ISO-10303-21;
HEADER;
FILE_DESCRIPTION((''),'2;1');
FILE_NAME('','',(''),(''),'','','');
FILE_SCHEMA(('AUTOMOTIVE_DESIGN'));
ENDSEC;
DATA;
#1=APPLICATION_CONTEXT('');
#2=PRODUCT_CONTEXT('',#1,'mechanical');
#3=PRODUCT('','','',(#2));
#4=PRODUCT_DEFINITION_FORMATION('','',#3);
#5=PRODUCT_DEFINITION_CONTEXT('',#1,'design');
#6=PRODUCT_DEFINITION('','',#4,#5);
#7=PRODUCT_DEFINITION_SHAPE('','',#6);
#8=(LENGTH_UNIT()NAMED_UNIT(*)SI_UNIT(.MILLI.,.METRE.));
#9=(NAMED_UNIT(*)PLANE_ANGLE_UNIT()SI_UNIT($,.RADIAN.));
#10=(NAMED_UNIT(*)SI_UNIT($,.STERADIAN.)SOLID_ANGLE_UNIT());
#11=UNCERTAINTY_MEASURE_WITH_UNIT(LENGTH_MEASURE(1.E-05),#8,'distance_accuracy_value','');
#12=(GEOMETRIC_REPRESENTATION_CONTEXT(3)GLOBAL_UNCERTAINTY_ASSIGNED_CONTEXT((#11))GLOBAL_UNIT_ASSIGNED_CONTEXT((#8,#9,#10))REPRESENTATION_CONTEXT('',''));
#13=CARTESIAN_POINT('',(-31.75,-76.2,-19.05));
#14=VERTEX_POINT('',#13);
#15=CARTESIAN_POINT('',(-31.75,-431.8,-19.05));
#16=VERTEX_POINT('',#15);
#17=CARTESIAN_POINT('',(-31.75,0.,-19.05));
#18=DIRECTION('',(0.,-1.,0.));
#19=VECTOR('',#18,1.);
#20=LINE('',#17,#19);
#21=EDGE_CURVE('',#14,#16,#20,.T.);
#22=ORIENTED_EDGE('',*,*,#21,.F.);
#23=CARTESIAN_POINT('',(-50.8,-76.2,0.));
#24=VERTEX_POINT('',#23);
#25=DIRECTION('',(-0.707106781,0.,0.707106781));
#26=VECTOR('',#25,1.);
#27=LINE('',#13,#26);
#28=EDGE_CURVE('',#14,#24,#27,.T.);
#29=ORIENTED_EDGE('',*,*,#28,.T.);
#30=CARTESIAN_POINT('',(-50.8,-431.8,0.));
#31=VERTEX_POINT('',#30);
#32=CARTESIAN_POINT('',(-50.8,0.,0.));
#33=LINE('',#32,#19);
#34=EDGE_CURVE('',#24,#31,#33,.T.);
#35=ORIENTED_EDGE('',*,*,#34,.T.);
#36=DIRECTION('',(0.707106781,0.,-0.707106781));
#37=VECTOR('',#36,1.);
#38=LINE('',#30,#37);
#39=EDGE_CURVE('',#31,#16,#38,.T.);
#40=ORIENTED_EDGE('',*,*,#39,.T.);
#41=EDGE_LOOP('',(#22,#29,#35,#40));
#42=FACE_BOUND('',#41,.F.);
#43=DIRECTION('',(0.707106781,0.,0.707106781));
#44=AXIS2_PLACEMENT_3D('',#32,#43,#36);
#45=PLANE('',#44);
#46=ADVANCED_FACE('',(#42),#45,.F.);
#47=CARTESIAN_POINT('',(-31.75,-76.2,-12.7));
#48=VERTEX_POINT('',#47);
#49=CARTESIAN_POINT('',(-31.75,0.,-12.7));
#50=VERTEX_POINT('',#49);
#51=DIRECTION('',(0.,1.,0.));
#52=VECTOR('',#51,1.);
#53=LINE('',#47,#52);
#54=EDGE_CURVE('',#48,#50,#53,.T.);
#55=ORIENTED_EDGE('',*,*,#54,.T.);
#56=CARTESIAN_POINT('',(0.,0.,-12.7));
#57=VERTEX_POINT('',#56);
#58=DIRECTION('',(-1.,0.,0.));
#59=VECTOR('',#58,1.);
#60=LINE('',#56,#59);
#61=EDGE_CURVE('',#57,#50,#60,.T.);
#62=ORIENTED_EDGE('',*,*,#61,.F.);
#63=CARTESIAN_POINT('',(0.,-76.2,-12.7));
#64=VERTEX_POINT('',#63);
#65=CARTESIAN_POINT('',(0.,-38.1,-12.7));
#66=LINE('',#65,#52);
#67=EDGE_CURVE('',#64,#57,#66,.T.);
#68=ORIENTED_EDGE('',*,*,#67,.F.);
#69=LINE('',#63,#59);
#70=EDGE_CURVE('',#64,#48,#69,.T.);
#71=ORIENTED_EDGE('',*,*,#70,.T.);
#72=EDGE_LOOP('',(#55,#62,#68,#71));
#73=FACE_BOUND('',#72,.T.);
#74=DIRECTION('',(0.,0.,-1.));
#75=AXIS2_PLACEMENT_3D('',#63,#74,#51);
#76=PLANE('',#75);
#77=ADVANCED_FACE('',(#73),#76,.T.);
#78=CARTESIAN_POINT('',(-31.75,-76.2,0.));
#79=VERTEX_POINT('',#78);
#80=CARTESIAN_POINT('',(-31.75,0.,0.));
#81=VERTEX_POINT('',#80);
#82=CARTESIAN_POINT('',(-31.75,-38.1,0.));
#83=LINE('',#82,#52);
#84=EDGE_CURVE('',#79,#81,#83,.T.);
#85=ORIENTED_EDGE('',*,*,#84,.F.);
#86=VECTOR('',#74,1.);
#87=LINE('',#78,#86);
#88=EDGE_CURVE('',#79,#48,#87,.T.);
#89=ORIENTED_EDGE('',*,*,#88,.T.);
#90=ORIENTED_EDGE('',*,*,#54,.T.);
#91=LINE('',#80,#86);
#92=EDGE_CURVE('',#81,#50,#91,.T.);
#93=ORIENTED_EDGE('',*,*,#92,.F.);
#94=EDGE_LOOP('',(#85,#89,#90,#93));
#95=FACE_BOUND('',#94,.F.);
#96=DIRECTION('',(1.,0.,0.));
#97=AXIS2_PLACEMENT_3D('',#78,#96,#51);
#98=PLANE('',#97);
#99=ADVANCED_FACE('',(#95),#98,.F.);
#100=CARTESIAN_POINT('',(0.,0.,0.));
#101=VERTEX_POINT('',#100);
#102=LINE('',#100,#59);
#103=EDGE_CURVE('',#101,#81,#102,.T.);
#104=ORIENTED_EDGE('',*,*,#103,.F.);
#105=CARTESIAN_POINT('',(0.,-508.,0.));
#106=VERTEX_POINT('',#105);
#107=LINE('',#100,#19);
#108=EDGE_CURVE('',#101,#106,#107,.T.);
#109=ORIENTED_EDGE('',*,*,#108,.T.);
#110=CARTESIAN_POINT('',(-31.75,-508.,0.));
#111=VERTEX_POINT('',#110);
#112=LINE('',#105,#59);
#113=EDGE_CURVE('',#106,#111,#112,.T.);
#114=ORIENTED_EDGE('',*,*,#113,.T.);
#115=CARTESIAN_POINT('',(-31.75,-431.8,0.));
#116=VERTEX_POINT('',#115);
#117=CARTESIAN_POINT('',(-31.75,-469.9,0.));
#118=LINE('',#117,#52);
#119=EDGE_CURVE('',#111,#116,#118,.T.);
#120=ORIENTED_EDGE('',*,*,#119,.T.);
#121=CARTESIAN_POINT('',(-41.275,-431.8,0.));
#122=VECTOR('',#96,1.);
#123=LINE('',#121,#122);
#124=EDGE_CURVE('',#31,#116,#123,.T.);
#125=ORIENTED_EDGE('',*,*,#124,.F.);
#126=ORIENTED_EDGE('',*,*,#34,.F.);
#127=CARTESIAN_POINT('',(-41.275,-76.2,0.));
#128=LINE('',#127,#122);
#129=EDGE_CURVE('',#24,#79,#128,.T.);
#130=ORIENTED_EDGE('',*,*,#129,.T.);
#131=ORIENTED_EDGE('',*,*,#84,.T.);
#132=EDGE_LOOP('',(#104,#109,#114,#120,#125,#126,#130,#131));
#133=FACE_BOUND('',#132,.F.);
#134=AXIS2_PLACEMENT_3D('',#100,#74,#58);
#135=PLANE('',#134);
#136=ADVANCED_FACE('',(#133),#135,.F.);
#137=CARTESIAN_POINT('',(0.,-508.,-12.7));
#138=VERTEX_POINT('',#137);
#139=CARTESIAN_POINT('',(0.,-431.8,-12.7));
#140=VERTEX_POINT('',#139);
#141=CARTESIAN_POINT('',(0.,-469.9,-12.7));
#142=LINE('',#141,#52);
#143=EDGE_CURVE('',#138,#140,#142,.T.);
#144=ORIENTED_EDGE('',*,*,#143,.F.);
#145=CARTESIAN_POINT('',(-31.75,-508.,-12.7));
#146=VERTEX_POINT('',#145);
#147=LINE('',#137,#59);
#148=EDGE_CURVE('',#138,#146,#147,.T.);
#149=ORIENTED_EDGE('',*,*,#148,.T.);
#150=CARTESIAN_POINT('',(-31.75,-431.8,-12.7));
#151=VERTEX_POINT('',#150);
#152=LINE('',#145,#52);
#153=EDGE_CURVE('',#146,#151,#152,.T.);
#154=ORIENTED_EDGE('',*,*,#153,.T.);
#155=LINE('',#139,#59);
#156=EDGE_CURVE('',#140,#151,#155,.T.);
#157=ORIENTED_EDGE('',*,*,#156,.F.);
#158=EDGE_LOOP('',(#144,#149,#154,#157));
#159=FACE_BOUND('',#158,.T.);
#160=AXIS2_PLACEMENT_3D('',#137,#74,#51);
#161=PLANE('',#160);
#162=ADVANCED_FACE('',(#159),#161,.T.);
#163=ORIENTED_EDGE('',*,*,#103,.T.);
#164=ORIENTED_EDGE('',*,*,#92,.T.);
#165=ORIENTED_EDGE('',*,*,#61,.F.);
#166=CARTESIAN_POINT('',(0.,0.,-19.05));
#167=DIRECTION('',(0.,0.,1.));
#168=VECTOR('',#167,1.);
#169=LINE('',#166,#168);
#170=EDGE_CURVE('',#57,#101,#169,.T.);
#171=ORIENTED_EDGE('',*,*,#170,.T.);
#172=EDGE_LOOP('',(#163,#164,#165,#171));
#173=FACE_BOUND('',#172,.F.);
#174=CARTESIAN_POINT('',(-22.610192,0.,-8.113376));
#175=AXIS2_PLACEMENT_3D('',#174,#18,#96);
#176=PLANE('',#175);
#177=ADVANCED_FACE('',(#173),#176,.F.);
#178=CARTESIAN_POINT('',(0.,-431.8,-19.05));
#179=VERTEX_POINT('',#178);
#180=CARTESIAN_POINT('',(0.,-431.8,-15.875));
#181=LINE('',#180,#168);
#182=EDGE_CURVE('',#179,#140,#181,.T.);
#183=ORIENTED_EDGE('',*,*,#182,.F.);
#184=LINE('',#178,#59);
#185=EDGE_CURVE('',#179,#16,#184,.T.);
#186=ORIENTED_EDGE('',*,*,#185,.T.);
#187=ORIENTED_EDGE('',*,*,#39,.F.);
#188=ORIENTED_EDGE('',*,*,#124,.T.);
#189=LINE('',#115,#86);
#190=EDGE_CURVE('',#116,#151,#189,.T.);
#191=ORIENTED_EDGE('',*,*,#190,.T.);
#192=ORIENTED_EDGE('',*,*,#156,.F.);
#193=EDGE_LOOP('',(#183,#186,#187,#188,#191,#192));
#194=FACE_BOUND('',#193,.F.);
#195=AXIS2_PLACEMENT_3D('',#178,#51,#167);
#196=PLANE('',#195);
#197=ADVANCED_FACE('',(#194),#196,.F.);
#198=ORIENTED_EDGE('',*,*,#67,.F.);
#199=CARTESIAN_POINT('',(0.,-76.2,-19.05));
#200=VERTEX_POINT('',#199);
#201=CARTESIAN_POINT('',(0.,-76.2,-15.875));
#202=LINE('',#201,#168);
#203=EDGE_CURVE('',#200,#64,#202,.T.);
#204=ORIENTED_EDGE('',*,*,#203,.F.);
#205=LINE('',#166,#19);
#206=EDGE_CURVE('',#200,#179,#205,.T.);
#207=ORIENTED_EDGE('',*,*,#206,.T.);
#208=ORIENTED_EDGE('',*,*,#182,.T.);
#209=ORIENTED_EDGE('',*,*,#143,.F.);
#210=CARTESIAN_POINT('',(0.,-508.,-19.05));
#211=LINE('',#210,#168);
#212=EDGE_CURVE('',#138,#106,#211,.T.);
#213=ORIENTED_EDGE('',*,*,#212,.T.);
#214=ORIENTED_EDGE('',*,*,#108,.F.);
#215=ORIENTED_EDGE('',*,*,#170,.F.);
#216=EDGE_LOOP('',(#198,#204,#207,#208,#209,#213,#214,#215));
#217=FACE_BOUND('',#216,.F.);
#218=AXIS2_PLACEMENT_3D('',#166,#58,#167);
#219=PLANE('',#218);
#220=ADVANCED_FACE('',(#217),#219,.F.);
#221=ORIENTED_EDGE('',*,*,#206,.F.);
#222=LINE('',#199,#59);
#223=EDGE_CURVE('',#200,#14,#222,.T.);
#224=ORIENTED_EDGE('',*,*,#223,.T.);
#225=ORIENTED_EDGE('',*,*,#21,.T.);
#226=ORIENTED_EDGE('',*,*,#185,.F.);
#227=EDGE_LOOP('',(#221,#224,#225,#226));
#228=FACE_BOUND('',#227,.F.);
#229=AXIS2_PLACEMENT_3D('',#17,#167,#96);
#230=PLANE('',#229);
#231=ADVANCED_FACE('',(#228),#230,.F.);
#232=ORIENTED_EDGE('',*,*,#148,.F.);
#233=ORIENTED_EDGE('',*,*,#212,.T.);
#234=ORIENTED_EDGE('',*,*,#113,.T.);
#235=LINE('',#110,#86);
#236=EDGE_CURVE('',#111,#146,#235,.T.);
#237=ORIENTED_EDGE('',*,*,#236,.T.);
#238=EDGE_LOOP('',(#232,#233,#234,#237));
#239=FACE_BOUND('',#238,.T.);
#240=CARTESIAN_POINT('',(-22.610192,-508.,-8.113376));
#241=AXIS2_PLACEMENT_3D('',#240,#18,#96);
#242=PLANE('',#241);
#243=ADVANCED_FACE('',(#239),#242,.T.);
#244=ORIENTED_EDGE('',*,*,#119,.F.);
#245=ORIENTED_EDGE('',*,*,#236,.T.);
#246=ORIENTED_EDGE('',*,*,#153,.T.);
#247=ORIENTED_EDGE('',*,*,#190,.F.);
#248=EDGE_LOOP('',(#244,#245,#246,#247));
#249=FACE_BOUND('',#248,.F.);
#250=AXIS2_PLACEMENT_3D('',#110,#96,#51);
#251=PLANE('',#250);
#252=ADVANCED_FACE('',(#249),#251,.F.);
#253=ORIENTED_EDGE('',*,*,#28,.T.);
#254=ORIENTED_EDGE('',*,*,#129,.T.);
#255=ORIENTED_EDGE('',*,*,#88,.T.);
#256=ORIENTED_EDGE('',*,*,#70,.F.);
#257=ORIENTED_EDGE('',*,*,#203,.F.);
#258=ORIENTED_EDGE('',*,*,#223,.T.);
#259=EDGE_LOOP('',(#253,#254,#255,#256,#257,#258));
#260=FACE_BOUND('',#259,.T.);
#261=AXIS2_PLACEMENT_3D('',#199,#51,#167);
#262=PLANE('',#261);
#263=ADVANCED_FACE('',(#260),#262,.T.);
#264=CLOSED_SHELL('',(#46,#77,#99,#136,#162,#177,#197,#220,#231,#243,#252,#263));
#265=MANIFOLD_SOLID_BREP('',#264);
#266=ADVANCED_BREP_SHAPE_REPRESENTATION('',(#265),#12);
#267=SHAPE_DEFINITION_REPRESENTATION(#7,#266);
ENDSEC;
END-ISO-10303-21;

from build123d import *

# Parameters (mm, degrees)
F1_DEPTH = 508
F2_W     = 19.05
F2_H     = 76.2
F3_DEPTH = 25.4
F4_W     = 76.2
F4_H     = 6.35
F5_DEPTH = 50.801


with BuildPart() as f1:
    # F0 (on Front) → F1 (new body)
    with BuildSketch(Plane.XZ):
        Polygon((0, -19.05), (0, 0), (-50.8, 0), (-31.75, -19.05), align=None)
    extrude(amount=F1_DEPTH)

    # F2 (on face) → F3 (cut)
    with BuildSketch(Plane.XY):
        with Locations((-41.275, -38.1)):
            Rectangle(F2_W, F2_H)
        with Locations((-41.275, -469.9)):
            Rectangle(F2_W, F2_H)
    extrude(amount=-F3_DEPTH, mode=Mode.SUBTRACT)

    # F4 (on face) → F5 (cut, through all)
    with BuildSketch(Plane.YZ):
        with Locations((-469.9, -15.875)):
            Rectangle(F4_W, F4_H)
        with Locations((-38.1, -15.875)):
            Rectangle(F4_W, F4_H)
    extrude(amount=-F5_DEPTH, mode=Mode.SUBTRACT)


solid = f1.part
